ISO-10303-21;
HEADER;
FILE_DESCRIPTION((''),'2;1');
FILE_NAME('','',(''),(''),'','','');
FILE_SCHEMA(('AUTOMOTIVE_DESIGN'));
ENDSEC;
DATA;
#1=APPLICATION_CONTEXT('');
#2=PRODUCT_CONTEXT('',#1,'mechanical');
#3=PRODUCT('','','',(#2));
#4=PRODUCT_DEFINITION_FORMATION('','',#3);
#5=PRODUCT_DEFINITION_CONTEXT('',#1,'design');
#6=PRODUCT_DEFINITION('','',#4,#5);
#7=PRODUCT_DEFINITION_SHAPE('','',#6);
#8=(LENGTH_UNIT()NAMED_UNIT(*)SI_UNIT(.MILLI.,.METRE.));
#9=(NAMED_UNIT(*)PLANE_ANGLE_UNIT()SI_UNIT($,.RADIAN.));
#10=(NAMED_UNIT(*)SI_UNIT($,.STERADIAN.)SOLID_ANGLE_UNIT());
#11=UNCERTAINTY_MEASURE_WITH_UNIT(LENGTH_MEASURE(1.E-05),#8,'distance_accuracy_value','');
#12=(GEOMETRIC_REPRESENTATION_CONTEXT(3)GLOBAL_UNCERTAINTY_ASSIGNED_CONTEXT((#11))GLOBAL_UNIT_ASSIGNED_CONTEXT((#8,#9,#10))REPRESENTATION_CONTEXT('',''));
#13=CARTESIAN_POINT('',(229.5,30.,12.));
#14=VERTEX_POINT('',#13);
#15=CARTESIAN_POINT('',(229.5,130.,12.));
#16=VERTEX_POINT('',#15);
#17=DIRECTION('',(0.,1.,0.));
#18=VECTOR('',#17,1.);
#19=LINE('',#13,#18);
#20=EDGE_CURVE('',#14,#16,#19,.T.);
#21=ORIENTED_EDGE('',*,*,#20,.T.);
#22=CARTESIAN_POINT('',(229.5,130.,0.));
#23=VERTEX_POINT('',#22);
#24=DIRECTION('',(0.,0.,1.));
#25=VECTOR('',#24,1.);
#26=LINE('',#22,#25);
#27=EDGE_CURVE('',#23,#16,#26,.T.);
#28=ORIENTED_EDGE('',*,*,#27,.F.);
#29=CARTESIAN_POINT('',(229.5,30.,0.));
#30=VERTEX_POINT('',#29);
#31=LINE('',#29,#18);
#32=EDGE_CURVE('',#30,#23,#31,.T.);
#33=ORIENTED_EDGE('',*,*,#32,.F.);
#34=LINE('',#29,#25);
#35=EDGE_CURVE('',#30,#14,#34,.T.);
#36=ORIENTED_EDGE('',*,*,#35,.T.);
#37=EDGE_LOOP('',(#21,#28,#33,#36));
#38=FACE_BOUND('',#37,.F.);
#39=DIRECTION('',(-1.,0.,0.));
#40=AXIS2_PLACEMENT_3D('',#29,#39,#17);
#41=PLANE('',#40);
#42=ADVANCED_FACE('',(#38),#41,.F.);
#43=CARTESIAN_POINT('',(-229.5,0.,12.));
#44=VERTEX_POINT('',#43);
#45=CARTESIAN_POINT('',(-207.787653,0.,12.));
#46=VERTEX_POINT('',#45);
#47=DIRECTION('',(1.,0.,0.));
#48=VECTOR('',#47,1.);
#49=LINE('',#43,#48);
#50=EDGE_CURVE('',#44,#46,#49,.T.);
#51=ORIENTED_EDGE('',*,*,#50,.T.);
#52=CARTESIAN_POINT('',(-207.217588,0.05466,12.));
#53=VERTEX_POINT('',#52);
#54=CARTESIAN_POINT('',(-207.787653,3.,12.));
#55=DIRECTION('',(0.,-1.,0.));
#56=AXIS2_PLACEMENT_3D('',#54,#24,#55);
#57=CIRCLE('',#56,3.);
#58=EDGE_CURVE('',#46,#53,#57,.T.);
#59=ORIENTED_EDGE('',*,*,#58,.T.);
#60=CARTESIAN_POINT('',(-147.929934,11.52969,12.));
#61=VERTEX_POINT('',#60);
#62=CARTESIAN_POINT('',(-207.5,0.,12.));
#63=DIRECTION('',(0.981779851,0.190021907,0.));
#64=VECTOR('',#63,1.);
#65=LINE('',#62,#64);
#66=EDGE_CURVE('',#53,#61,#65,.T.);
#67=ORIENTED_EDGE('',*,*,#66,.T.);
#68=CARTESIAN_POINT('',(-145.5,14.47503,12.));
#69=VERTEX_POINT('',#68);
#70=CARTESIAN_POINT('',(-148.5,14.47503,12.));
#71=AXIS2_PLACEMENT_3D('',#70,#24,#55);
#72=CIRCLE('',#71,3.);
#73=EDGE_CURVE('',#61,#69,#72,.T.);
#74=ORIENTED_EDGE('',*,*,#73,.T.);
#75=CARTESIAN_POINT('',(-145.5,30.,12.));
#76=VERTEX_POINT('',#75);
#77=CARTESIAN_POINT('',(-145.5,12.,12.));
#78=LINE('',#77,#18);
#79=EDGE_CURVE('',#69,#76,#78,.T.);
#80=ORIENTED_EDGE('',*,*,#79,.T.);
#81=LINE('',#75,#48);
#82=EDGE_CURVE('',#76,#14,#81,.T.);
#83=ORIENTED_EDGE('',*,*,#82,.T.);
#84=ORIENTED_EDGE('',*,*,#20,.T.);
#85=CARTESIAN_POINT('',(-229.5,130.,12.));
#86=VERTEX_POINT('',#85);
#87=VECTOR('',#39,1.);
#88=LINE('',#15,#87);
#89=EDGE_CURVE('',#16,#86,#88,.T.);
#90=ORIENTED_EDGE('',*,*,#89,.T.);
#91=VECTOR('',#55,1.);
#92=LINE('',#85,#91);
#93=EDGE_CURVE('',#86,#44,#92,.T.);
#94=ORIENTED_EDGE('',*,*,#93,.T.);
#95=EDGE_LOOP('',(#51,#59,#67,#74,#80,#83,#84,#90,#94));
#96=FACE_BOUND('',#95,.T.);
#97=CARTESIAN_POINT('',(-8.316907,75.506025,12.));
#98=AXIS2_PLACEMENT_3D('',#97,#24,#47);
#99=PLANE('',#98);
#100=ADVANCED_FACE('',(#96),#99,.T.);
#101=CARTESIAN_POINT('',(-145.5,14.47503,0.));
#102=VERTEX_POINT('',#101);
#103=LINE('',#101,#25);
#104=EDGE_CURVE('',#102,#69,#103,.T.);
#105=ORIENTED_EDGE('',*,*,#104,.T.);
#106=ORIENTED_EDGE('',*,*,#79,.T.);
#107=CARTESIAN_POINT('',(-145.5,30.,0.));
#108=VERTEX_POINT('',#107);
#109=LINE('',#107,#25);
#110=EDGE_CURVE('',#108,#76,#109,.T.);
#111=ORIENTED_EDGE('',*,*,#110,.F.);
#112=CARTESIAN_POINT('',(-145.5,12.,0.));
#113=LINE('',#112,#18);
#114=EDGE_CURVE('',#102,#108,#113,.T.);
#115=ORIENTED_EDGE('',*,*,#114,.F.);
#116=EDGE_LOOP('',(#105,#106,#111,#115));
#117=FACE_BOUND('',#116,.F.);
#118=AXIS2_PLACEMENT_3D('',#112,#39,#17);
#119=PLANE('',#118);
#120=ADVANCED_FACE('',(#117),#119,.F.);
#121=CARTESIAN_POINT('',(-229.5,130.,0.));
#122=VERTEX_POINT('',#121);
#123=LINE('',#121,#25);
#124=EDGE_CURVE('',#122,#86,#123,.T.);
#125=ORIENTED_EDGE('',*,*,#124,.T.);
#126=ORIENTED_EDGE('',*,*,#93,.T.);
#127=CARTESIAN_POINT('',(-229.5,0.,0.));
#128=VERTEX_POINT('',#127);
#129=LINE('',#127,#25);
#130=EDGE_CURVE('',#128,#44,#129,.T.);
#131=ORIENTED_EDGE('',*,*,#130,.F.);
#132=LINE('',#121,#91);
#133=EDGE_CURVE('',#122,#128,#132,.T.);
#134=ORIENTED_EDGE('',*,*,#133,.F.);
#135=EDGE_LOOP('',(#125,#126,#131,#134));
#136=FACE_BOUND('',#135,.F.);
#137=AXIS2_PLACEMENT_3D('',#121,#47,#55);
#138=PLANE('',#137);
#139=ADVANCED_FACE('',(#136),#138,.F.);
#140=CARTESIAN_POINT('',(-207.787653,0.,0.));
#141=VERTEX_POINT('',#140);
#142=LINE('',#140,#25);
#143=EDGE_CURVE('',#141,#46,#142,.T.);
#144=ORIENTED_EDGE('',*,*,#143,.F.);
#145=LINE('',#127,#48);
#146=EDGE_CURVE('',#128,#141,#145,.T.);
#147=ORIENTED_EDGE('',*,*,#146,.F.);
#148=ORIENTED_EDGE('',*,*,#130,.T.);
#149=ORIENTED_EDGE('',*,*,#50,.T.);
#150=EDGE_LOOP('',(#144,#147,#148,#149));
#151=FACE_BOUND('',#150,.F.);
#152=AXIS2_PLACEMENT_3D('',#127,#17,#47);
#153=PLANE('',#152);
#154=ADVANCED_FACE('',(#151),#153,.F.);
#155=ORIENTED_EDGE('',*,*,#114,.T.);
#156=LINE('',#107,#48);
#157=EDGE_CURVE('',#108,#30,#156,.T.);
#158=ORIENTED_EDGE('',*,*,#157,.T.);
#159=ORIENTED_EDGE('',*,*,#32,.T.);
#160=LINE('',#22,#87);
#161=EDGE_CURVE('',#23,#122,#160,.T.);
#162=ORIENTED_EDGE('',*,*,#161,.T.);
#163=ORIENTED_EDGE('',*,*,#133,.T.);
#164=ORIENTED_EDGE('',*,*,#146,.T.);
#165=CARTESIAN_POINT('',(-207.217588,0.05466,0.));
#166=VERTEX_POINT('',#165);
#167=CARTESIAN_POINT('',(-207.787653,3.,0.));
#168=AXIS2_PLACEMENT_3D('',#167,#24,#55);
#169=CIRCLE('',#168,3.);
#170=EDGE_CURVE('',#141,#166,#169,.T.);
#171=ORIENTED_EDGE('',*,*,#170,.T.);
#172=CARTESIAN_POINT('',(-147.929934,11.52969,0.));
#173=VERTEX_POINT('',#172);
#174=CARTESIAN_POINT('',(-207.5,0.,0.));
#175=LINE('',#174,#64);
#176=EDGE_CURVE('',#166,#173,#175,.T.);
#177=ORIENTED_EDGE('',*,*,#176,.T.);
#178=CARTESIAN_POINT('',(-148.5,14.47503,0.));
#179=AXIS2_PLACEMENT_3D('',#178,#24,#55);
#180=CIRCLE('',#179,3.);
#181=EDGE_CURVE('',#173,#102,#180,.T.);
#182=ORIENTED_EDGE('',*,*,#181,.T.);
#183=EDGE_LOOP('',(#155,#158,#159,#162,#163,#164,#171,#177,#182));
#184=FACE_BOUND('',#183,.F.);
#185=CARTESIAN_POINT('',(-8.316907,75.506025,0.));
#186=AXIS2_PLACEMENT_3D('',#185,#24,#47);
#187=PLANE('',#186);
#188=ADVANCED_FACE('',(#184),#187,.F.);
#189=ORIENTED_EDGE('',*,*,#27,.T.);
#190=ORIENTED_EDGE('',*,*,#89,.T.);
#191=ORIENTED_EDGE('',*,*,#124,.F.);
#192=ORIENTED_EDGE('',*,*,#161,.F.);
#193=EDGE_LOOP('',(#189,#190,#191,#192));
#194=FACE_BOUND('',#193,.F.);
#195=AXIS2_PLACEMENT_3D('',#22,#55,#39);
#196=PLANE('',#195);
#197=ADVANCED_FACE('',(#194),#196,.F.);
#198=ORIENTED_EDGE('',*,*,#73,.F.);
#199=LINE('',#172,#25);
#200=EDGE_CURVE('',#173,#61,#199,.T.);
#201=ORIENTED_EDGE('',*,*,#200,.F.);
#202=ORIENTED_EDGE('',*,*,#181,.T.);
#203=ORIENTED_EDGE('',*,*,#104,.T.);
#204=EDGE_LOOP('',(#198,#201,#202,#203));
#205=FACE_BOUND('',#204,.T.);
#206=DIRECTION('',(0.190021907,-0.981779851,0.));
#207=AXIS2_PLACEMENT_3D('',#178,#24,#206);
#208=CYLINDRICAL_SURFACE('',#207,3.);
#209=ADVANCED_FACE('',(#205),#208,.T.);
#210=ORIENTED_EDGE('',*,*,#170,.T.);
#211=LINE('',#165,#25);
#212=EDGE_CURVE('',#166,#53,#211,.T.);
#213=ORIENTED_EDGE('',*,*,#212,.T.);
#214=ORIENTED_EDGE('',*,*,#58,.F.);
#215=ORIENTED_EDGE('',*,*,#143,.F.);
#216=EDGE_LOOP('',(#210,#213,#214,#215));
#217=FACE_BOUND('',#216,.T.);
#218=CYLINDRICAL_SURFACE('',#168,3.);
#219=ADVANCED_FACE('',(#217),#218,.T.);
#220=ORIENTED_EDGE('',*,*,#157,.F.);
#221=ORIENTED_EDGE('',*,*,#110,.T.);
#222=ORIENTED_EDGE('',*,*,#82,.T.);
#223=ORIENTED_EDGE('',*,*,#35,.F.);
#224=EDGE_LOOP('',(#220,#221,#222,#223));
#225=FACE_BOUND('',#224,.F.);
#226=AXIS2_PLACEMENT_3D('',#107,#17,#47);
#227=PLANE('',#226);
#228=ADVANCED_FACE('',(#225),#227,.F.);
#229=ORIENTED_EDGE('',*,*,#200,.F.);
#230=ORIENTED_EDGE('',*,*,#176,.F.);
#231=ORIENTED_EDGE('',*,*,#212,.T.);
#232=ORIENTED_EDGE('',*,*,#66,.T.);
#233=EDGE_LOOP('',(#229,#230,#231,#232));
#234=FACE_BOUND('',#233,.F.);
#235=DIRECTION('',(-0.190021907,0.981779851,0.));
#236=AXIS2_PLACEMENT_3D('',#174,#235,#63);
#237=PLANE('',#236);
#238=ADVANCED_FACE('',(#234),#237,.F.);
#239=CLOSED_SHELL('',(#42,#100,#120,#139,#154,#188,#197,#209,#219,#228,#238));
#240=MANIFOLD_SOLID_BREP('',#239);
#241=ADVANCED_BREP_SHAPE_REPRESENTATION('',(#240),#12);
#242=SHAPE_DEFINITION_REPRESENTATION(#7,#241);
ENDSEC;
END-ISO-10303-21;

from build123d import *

# Parameters (mm, degrees)
F1_DEPTH = 12
F2_R     = 3


with BuildPart() as f1:
    # F0 (on Top) → F1 (new body)
    with BuildSketch(Plane.XY):
        Polygon((-229.5, 0), (-207.5, 0), (-145.5, 12), (-145.5, 30), (229.5, 30), (229.5, 130), (-229.5, 130), align=None)
    extrude(amount=F1_DEPTH)

    # F2
    f2_edges = [f1.edges().sort_by_distance(p)[0] for p in [
        (-145.5, 12, 6),
        (-207.5, 0, 6),
    ]]
    fillet(f2_edges, radius=F2_R)


solid = f1.part
